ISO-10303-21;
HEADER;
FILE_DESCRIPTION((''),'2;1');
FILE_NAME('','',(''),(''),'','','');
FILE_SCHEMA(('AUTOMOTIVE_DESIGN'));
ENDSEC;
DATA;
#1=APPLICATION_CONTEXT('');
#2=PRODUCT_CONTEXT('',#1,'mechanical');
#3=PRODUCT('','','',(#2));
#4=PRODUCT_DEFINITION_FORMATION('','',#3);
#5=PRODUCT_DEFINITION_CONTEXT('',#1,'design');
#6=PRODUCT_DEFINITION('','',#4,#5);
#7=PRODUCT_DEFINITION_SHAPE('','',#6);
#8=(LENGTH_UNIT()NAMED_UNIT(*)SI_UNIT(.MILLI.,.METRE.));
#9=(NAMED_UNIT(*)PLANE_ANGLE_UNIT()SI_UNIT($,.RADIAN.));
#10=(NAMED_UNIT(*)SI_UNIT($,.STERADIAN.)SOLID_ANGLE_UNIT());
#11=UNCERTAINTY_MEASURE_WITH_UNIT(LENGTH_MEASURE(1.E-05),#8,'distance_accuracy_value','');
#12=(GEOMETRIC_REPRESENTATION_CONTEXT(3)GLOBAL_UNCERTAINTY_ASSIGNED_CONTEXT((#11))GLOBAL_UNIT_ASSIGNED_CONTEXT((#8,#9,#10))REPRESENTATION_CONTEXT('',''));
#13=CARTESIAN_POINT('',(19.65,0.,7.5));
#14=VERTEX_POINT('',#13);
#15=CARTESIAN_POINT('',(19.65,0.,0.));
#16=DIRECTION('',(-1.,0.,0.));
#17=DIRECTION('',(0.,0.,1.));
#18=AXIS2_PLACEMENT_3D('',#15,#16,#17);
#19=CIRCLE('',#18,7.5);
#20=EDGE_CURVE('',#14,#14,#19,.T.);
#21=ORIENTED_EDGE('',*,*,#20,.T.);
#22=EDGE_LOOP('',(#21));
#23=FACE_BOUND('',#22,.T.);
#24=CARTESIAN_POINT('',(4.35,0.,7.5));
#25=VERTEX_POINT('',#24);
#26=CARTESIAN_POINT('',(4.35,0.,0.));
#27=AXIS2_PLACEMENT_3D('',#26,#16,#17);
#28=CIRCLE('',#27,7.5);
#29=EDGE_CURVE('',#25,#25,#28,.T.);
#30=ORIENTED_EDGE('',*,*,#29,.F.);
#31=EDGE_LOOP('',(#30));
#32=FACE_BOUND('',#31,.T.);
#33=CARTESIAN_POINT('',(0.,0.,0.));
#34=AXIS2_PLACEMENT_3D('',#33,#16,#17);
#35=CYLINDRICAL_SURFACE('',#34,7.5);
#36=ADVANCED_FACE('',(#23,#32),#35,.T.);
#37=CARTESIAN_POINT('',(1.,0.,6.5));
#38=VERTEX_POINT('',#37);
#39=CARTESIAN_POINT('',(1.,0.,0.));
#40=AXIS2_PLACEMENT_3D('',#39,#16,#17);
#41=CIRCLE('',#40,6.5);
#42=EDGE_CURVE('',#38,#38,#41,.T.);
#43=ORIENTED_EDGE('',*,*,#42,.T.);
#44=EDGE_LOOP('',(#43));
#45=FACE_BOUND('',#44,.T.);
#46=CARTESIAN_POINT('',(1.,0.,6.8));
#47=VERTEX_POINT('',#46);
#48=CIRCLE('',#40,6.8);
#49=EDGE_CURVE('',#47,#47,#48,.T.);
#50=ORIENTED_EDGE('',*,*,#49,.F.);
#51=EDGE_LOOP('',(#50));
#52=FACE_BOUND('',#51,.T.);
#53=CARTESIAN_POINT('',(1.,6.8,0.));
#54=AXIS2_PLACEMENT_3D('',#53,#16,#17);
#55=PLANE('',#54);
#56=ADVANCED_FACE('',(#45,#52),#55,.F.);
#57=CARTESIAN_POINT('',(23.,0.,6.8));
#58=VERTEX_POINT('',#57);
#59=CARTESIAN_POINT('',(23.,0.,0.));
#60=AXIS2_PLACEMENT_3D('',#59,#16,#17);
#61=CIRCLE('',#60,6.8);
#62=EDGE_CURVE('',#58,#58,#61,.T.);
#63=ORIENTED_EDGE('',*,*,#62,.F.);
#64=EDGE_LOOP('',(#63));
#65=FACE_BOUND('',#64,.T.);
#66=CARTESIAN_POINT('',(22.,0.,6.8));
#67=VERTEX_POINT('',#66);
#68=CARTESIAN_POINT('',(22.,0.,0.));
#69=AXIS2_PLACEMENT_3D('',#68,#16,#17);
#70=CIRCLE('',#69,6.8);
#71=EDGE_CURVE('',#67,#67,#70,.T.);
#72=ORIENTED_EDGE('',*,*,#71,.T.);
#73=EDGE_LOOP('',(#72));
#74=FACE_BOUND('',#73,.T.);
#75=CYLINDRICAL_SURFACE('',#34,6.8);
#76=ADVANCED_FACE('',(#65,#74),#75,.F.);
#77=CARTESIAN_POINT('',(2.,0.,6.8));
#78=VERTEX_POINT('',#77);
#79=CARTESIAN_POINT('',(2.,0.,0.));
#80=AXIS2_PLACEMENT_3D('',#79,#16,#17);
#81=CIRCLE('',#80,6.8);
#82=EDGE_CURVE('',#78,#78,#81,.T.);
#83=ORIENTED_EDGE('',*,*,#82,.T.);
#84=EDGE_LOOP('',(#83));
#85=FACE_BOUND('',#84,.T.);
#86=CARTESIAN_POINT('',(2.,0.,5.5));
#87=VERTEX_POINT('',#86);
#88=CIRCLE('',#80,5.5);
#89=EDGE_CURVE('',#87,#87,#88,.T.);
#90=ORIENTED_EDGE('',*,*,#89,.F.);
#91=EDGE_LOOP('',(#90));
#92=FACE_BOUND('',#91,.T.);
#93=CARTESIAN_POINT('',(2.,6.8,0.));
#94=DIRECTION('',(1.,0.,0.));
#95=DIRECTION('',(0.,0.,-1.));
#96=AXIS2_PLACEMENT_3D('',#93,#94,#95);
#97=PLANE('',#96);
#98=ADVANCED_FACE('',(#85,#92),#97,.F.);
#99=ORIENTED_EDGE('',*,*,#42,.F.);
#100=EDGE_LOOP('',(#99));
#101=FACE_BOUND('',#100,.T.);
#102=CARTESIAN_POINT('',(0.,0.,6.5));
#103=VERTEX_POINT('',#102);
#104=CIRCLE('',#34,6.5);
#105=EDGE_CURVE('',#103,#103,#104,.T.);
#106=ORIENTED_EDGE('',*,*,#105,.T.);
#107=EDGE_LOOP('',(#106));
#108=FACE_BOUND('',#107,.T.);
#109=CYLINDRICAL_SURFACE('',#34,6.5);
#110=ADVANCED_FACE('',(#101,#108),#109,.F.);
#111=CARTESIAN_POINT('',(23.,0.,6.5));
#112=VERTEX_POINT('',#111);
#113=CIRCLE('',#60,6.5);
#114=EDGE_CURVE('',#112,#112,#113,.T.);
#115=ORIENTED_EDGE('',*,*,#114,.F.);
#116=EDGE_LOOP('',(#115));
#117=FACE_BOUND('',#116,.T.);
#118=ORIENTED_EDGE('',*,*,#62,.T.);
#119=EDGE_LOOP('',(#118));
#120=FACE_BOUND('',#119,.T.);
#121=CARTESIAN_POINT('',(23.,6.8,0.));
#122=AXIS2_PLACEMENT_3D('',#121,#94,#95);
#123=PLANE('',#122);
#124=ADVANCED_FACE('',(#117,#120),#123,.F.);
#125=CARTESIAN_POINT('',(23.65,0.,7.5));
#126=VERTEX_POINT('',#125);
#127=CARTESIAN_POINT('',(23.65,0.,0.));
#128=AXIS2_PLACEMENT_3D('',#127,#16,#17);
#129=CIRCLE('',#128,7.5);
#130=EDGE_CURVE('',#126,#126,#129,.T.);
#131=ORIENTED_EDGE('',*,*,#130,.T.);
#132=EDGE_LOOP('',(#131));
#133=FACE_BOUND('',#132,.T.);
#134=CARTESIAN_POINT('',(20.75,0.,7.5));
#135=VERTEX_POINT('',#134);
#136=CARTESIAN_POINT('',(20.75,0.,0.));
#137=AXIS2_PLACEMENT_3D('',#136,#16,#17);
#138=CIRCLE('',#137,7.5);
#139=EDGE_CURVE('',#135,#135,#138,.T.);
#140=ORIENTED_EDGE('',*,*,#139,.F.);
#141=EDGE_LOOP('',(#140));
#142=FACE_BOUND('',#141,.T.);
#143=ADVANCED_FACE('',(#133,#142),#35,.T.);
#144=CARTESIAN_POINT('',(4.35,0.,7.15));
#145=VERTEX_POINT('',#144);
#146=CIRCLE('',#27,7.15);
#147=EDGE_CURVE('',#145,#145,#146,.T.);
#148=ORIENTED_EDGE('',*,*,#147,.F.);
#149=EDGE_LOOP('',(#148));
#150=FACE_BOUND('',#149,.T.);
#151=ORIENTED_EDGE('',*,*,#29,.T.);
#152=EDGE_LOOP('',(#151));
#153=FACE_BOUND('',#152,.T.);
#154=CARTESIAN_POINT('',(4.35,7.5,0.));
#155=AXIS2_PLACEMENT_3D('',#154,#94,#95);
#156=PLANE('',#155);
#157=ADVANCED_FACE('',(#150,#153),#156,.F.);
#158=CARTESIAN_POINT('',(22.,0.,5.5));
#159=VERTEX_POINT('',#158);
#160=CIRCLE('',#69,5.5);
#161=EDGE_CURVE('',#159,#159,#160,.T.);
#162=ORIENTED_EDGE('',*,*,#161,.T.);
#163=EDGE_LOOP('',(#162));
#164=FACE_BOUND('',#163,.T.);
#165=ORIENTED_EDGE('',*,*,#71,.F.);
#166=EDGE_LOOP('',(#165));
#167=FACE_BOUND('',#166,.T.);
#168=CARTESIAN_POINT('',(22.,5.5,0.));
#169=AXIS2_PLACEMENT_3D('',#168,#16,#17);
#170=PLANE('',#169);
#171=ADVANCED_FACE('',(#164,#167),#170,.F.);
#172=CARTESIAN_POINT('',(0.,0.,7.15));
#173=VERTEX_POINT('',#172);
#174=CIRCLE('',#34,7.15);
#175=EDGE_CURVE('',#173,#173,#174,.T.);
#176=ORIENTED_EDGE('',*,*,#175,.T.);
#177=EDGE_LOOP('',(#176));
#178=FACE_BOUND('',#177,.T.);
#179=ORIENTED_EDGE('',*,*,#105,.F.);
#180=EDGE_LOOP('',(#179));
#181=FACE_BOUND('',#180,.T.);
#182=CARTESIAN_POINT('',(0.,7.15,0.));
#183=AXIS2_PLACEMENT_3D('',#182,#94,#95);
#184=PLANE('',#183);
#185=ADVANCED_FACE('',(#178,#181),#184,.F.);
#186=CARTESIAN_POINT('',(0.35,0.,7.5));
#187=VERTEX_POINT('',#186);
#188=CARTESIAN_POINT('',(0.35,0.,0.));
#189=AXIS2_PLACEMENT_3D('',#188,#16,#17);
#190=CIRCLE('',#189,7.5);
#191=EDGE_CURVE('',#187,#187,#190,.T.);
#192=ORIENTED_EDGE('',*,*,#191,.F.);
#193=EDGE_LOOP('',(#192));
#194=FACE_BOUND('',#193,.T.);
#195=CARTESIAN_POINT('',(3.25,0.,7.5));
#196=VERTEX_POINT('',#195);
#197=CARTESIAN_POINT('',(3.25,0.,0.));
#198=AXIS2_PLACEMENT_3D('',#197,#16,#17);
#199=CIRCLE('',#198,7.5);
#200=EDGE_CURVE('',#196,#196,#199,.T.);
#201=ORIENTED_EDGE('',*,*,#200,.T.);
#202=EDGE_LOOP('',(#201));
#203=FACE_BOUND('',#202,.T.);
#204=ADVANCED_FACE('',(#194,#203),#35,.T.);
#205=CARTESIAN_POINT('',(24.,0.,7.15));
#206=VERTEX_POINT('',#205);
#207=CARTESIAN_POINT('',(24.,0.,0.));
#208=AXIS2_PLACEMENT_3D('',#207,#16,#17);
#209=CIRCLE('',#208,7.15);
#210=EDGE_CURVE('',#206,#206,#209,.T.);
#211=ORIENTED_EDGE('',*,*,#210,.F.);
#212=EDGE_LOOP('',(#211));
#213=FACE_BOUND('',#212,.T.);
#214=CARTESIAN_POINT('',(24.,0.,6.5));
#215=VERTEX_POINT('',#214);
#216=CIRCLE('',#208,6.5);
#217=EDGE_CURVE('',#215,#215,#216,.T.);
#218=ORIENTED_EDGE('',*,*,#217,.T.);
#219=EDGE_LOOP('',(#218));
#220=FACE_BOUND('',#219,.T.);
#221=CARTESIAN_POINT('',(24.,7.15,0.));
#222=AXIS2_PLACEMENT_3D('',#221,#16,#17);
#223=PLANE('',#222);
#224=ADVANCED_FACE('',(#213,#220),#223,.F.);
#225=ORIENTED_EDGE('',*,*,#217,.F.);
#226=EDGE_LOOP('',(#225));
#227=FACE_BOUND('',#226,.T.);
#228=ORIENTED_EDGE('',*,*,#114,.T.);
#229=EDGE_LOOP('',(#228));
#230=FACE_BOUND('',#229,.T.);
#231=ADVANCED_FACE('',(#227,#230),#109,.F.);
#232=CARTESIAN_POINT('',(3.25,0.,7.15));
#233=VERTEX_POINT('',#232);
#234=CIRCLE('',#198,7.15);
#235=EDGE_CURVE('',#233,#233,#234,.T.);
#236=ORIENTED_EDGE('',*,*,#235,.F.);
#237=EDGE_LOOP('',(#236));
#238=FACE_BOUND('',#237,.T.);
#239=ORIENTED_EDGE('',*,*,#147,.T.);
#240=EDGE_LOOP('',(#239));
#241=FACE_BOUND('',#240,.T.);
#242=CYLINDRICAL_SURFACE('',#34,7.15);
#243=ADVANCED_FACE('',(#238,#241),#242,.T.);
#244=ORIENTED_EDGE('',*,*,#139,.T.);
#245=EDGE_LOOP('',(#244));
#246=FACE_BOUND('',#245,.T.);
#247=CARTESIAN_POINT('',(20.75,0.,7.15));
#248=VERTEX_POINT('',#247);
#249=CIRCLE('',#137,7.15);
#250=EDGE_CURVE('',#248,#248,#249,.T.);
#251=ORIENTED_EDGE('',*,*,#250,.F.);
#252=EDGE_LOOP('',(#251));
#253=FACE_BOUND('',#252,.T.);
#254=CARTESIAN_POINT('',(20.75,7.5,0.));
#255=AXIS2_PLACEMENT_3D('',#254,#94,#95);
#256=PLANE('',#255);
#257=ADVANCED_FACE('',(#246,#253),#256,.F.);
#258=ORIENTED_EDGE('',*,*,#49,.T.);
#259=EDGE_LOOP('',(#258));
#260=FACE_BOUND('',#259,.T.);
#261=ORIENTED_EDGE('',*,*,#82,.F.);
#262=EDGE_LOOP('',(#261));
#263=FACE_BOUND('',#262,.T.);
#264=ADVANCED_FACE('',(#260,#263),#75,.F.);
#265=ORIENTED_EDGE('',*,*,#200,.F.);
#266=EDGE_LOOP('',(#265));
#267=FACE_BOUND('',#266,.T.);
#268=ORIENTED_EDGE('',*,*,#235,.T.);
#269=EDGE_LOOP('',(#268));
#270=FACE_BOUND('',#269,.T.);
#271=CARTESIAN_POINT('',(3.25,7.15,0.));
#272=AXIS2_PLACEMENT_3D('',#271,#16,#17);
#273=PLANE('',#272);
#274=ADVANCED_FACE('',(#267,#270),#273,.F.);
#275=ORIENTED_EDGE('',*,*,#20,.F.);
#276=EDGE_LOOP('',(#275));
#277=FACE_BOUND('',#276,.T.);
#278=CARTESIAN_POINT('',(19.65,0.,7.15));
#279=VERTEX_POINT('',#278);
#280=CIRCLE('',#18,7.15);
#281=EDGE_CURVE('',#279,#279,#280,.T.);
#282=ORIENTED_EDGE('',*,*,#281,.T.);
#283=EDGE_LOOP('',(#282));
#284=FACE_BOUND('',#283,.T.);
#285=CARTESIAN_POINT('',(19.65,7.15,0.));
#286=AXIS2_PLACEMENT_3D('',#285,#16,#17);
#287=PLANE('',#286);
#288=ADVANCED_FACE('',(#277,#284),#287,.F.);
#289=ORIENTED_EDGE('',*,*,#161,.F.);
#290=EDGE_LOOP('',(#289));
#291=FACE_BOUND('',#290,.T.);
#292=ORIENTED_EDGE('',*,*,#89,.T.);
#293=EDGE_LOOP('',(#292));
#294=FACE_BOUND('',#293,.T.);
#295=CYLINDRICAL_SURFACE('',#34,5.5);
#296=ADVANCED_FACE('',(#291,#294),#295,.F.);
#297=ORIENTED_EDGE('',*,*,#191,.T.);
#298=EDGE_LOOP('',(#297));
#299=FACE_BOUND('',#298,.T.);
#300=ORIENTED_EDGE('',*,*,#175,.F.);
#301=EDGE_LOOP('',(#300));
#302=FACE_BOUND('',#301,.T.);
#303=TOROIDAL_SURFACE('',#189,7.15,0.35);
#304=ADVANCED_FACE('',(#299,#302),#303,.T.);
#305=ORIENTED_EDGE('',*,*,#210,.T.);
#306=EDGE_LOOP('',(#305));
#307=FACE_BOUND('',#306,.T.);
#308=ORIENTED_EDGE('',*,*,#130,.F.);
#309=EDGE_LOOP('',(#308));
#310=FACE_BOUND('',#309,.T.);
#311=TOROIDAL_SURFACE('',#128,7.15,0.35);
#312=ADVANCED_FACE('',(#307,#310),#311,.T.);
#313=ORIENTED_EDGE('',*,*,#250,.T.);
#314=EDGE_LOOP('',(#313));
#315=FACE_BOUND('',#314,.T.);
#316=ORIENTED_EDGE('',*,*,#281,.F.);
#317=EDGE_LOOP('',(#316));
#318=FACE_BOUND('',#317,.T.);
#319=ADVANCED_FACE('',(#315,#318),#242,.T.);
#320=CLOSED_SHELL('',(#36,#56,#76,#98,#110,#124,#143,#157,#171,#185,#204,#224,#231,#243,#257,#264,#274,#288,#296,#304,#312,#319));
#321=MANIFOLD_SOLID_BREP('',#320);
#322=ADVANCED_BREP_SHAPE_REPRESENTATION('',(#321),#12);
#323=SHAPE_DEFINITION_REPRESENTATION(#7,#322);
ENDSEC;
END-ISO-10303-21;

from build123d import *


with BuildPart() as part:
    # Sketch2 → Revolve1 (revolve)
    with BuildSketch(Plane.XY):
        with BuildLine():
            Line((24, 7.15), (24, 6.5))
            Line((24, 6.5), (23, 6.5))
            Line((23, 6.5), (23, 6.8))
            Line((23, 6.8), (22, 6.8))
            Line((22, 6.8), (22, 5.5))
            Line((22, 5.5), (2, 5.5))
            Line((2, 5.5), (2, 6.8))
            Line((2, 6.8), (1, 6.8))
            Line((1, 6.8), (1, 6.5))
            Line((1, 6.5), (0, 6.5))
            Line((0, 6.5), (0, 7.15))
            ThreePointArc((0, 7.15), (0.102512627, 7.397487373), (0.35, 7.5))
            Line((0.35, 7.5), (3.25, 7.5))
            Line((3.25, 7.5), (3.25, 7.15))
            Line((3.25, 7.15), (4.35, 7.15))
            Line((4.35, 7.15), (4.35, 7.5))
            Line((4.35, 7.5), (19.65, 7.5))
            Line((19.65, 7.5), (19.65, 7.15))
            Line((19.65, 7.15), (20.75, 7.15))
            Line((20.75, 7.15), (20.75, 7.5))
            Line((20.75, 7.5), (23.65, 7.5))
            ThreePointArc((23.65, 7.5), (23.897487373, 7.397487373), (24, 7.15))
        make_face()
    revolve(axis=Axis((0, 0, 0), (1, 0, 0)))


solid = part.part
